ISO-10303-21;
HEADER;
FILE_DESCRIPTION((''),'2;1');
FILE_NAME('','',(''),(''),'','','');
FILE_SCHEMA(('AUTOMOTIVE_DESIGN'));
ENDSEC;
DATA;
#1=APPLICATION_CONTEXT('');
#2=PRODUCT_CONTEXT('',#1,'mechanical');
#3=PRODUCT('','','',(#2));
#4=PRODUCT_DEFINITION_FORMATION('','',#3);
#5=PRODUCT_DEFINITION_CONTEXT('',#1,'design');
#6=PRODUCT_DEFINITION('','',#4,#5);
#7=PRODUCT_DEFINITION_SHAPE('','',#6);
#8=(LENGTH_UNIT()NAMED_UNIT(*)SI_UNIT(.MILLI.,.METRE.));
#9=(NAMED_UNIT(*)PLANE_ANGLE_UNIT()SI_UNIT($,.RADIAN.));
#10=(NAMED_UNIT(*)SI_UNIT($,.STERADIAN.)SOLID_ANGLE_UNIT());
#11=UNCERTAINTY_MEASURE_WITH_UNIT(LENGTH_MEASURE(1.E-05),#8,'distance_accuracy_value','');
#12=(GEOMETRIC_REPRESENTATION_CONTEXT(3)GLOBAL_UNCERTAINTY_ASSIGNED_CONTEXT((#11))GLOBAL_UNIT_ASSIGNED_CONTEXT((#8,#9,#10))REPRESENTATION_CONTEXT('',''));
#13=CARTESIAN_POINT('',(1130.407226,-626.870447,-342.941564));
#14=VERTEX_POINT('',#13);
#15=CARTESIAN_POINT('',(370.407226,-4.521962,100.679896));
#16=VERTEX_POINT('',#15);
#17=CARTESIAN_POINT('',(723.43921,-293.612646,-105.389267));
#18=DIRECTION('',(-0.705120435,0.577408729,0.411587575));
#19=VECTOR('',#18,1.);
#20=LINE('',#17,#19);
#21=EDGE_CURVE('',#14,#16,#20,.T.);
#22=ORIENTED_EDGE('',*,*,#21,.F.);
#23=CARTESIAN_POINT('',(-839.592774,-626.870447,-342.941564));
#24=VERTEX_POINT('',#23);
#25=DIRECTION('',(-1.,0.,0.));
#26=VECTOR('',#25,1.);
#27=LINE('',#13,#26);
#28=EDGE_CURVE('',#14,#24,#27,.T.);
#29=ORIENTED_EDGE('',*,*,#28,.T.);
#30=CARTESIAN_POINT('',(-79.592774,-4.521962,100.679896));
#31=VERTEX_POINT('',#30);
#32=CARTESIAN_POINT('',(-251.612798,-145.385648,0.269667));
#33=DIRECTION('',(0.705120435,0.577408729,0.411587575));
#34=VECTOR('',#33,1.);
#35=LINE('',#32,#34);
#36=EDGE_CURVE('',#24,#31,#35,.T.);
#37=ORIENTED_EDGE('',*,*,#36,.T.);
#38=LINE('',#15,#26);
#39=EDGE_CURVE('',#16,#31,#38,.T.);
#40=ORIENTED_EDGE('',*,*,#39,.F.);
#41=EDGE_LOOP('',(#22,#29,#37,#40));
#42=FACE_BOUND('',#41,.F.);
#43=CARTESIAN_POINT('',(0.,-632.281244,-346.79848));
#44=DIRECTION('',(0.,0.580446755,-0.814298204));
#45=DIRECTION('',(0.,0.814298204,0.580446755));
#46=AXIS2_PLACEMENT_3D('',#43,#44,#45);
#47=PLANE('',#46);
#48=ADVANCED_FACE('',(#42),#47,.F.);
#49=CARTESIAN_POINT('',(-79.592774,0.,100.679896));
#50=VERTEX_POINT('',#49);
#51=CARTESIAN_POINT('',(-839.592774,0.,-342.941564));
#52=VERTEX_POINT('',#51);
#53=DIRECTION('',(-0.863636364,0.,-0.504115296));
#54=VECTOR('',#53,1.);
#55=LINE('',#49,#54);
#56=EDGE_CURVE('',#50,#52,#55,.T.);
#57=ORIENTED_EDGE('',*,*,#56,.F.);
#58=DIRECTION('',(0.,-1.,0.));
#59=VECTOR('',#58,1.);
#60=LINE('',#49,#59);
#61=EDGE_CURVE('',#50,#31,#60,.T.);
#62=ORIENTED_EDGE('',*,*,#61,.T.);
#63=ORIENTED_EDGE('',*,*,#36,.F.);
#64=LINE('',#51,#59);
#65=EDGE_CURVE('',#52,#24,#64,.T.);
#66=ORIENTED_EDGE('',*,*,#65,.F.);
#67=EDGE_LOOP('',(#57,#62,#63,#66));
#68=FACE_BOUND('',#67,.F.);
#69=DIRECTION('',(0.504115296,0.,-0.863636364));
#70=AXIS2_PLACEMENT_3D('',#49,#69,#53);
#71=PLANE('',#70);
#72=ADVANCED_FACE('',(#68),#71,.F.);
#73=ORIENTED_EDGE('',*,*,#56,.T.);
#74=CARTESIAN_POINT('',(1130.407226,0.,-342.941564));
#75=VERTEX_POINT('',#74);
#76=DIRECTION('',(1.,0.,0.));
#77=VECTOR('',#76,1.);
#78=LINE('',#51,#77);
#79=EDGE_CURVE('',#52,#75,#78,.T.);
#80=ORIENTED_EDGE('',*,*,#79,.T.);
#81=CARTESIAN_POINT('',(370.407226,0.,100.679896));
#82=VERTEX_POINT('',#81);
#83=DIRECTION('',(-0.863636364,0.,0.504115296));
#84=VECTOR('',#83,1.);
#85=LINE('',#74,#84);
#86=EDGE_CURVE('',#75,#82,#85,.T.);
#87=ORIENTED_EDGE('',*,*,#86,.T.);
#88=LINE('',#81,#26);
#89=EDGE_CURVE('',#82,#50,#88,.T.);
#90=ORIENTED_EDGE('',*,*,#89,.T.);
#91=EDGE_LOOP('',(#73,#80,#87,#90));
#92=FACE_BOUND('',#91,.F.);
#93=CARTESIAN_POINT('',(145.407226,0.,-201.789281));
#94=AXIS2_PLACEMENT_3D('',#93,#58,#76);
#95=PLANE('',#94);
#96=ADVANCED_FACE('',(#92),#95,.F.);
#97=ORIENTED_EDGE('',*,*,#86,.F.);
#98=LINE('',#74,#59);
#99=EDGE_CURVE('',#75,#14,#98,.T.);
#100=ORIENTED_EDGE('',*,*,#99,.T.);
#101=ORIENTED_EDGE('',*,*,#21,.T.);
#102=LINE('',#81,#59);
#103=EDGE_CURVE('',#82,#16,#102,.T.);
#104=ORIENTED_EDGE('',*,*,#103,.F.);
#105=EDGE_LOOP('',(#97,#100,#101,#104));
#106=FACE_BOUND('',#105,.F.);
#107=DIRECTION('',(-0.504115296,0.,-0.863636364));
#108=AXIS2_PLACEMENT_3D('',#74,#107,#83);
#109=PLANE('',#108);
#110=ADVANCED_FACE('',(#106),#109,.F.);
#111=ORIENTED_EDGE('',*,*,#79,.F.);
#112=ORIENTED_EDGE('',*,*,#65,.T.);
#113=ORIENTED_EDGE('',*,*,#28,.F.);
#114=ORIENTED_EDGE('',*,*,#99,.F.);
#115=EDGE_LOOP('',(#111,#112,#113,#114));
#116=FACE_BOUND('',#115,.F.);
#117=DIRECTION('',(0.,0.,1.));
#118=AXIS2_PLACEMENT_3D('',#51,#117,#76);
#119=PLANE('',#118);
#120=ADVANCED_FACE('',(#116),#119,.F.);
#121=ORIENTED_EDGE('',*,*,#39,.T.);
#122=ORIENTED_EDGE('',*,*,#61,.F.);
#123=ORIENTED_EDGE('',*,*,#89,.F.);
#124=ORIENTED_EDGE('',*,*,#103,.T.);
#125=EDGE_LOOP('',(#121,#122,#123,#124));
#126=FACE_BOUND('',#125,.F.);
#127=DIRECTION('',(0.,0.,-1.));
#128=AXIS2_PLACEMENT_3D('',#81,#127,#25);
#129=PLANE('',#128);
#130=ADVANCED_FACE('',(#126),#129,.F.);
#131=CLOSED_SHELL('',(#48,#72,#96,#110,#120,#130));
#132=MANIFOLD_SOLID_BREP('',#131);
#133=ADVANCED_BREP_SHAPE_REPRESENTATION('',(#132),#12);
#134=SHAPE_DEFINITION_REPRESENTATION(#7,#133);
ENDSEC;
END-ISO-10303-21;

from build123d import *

# Parameters (mm, degrees)
F1_DEPTH      = 628
F3_DEPTH      = 1130.408226
F3_DEPTH_BACK = 839.593774


with BuildPart() as f1:
    # F0 (on Front) → F1 (new body)
    with BuildSketch(Plane.XZ):
        Polygon((-79.592774, 100.679896), (-839.592774, -342.941564), (1130.407226, -342.941564), (370.407226, 100.679896), align=None)
    extrude(amount=F1_DEPTH)

    # F2 (on Right) → F3 (cut, two sides)
    with BuildSketch(Plane.YZ) as f3_sk:
        Polygon((-632.281244, -346.79848), (0, 103.903234), (-632.281244, 103.903234), align=None)
    extrude(amount=F3_DEPTH, mode=Mode.SUBTRACT)
    extrude(f3_sk.sketch, amount=-F3_DEPTH_BACK, mode=Mode.SUBTRACT)


solid = f1.part
